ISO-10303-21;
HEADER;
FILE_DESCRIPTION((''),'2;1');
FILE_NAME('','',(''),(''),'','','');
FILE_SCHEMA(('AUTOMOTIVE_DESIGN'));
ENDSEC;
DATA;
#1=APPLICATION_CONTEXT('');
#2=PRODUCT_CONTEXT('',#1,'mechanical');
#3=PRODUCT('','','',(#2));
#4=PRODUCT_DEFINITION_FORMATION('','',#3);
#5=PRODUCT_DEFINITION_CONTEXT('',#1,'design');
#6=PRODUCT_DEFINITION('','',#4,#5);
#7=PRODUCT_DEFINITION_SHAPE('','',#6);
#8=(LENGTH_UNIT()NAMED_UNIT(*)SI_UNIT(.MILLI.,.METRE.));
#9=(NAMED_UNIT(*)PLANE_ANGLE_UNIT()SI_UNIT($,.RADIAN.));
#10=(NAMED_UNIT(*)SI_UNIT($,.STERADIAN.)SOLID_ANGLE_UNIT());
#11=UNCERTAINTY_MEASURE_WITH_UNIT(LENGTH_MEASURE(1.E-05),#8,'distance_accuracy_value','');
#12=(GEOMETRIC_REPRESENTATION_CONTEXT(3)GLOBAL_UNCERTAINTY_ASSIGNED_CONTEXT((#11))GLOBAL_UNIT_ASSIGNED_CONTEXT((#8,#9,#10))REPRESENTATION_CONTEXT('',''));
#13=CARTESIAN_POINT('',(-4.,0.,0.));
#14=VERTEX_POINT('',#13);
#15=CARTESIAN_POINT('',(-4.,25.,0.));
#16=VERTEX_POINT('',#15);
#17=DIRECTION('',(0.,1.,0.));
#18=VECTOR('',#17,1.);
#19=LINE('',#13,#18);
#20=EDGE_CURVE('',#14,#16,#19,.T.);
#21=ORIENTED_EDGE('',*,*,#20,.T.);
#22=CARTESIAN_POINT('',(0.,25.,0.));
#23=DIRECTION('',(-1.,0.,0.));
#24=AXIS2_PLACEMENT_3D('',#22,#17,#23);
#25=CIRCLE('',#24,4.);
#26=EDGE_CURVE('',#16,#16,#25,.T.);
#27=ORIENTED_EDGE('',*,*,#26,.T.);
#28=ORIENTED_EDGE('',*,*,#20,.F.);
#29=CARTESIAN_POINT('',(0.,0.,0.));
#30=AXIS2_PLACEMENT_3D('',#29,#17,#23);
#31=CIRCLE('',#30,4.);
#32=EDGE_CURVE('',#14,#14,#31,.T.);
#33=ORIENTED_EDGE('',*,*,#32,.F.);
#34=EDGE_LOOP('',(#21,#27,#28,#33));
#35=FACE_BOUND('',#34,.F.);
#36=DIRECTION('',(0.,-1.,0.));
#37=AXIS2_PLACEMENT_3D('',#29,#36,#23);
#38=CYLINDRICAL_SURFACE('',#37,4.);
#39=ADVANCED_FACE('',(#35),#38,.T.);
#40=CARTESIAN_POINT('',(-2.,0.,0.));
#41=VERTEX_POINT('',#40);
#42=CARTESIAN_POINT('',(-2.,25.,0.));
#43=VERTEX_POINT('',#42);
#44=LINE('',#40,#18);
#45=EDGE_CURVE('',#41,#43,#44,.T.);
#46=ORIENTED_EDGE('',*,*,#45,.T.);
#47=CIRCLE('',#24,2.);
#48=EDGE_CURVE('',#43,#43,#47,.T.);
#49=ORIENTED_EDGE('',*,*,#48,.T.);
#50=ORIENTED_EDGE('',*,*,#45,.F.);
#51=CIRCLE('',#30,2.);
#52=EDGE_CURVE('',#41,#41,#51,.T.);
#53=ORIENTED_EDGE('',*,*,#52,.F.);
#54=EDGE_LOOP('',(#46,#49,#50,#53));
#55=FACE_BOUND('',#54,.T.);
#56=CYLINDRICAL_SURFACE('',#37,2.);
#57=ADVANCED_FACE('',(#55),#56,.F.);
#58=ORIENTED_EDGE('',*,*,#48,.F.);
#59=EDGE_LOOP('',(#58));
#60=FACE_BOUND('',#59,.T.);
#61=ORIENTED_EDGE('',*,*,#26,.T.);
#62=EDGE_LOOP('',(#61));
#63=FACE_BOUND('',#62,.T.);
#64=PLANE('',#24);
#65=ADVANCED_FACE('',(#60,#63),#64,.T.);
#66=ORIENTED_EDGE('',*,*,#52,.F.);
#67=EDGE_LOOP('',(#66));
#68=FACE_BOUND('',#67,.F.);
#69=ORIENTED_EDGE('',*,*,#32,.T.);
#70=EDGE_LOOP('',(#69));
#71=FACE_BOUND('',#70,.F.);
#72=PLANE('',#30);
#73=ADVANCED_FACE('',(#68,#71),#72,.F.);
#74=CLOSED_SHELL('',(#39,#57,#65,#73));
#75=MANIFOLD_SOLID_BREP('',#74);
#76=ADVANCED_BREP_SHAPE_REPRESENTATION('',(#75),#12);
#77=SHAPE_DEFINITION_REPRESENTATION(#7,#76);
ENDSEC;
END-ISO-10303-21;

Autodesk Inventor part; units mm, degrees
ref_plane "YZ Plane" through (0, 0, 0) normal (1, 0, 0) x (0, 1, 0)
ref_plane "XZ Plane" through (0, 0, 0) normal (0, 1, 0) x (-1, 0, 0)
ref_plane "XY Plane" through (0, 0, 0) normal (0, 0, 1) x (1, 0, 0)
sketch "Sketch1" plane through (0, 0, 0) normal (0, 1, 0) x (-1, 0, 0)
  circle A0 centre (0, 0) radius 2
  circle A1 centre (0, 0) radius 4
  dimension "d0" = 4
  dimension "d1" = 8
extrude "Extrusion1" add sketch "Sketch1" along normal blind 25
properties part number "IR-CAM-Spacer"
